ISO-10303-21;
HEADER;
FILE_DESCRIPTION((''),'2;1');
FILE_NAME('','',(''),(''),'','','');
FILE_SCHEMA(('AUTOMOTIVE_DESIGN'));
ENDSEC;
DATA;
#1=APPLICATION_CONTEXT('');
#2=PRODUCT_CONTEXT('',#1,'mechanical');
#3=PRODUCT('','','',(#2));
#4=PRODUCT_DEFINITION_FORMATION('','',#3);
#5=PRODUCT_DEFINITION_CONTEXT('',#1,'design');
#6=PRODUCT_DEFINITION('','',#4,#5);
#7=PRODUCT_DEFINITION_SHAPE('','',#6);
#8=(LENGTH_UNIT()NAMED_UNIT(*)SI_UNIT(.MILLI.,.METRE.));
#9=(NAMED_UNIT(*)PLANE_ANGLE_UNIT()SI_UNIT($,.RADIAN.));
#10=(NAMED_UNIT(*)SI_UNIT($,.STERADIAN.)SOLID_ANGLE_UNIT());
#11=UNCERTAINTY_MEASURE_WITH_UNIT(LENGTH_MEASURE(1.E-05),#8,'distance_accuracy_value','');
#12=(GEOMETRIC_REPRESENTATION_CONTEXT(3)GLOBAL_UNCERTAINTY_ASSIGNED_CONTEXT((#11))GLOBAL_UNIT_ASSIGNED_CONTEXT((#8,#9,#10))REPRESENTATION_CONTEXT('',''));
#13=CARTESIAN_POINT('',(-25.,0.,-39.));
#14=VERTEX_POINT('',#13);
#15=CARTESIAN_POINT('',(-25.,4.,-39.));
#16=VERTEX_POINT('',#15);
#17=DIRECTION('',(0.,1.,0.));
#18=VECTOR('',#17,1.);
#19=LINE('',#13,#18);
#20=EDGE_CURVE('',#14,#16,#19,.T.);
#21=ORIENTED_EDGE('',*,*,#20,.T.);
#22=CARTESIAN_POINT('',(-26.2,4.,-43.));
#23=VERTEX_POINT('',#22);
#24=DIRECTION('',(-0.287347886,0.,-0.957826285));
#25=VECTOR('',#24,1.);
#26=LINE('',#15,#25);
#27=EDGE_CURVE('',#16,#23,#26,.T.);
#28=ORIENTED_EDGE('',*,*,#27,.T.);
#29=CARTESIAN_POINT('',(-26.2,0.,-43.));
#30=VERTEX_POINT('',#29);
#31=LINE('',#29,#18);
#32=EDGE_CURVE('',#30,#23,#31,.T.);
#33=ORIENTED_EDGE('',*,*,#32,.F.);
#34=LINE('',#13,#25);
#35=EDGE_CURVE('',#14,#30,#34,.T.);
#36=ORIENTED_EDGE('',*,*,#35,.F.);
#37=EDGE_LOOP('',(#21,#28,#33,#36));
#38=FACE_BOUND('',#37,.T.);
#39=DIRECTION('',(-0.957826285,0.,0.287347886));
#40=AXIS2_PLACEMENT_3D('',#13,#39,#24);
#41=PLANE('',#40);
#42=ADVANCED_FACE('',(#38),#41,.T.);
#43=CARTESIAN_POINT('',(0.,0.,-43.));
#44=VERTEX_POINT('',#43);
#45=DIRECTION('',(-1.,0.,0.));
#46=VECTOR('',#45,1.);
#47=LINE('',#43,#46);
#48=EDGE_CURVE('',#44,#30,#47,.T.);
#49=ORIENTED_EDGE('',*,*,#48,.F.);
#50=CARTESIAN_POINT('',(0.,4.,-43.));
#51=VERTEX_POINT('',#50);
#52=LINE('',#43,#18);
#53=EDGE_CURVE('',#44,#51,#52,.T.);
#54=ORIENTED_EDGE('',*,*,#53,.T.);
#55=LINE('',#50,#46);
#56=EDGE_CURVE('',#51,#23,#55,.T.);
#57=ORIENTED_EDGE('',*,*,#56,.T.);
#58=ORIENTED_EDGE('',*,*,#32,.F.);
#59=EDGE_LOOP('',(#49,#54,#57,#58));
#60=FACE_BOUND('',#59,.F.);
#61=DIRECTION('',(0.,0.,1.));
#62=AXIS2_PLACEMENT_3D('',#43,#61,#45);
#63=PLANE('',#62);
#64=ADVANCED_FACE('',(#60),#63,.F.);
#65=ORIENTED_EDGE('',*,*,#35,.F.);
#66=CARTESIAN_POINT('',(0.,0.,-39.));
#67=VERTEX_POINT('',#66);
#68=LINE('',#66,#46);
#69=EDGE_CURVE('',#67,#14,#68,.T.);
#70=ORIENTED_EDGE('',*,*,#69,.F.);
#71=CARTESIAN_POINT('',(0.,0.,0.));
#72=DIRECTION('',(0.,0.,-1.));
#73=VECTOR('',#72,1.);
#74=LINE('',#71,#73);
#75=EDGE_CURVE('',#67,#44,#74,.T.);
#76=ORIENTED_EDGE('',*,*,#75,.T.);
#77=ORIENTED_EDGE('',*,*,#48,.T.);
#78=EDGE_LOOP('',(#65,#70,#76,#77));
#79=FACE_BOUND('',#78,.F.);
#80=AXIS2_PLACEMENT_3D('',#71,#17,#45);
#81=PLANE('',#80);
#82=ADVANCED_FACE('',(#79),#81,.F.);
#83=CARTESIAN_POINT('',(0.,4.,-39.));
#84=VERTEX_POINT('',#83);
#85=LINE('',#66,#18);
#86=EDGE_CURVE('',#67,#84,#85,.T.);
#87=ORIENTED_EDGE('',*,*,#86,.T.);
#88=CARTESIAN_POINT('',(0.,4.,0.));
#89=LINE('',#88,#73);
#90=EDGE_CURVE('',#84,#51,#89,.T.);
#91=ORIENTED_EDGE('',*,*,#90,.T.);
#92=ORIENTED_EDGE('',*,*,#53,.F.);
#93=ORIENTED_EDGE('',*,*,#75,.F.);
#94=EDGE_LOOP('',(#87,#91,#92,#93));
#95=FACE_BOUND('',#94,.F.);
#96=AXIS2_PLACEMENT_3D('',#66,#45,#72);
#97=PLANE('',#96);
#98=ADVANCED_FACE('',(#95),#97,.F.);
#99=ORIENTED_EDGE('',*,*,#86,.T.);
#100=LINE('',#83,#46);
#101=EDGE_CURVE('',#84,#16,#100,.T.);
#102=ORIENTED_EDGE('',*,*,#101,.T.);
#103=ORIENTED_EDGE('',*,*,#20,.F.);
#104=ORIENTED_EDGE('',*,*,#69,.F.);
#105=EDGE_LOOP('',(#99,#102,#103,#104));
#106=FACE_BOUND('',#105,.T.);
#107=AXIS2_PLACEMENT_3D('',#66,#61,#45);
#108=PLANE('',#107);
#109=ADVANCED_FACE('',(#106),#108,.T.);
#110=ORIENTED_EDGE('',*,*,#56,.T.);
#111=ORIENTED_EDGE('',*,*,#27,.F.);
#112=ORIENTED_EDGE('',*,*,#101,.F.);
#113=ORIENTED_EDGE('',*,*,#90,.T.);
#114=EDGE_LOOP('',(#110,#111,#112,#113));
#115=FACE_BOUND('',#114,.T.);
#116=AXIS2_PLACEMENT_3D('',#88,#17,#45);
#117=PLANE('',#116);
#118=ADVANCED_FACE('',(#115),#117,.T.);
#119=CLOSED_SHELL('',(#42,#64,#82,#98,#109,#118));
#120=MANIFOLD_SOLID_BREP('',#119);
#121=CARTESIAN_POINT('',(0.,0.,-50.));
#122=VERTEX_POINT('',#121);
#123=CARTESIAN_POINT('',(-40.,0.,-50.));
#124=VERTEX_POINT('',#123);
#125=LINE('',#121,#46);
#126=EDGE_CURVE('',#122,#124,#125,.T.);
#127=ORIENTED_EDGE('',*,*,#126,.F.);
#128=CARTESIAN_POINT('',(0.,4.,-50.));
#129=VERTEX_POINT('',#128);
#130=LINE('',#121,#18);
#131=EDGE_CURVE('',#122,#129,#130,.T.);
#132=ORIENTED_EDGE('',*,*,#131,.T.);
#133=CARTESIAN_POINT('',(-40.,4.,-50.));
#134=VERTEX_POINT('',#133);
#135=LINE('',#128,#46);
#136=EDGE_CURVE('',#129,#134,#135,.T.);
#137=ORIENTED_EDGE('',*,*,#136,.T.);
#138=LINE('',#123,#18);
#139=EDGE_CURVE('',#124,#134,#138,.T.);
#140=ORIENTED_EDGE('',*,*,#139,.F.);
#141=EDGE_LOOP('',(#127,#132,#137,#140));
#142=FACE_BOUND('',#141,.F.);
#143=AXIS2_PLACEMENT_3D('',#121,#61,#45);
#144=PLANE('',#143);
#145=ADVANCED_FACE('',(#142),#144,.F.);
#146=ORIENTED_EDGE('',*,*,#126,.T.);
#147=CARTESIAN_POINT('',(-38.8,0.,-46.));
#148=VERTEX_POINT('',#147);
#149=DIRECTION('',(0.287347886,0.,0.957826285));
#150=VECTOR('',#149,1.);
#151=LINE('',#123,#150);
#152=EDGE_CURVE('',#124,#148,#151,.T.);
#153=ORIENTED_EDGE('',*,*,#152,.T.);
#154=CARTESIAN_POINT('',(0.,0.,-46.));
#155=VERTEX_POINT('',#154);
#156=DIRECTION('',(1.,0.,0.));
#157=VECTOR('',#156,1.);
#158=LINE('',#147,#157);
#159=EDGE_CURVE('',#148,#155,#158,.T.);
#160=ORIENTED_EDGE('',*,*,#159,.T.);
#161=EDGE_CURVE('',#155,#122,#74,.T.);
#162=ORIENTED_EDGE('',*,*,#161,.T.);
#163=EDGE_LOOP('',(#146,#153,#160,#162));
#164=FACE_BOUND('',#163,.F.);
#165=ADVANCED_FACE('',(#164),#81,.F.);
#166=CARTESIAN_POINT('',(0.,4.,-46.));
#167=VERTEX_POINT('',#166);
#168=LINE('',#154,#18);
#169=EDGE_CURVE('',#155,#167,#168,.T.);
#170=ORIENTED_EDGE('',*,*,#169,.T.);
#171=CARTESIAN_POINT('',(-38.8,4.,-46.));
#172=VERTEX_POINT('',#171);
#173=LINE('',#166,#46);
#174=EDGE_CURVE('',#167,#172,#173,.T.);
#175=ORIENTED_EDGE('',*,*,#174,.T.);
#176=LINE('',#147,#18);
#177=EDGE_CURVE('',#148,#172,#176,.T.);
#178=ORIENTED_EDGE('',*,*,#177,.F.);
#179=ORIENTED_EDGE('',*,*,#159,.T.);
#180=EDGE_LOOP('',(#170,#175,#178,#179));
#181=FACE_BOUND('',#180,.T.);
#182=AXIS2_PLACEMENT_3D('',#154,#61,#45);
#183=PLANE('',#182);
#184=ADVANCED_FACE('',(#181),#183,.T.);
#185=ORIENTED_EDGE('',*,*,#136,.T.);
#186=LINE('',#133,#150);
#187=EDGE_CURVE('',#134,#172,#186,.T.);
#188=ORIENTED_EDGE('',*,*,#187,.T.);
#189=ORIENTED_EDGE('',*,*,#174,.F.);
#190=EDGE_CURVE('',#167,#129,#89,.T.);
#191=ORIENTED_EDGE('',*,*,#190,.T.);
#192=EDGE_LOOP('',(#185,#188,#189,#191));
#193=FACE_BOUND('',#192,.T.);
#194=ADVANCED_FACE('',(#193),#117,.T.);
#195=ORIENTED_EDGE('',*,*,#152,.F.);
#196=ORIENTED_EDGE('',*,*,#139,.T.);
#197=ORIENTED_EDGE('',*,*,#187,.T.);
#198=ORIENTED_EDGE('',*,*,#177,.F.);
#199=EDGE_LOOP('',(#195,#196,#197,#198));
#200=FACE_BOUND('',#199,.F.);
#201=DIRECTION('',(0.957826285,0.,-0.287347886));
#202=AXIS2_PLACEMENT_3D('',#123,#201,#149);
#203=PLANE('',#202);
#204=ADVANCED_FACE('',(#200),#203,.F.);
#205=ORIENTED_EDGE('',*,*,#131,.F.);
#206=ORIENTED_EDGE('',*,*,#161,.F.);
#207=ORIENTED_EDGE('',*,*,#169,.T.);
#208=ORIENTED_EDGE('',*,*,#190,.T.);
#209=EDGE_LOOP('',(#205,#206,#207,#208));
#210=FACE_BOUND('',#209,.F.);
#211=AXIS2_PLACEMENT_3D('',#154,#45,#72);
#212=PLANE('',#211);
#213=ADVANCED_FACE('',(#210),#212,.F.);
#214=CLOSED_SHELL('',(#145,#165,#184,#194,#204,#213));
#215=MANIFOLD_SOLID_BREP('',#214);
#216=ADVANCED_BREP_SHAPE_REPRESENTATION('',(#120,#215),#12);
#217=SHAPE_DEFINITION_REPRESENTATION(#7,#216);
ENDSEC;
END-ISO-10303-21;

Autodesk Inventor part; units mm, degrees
ref_plane "YZ Plane" through (0, 0, 0) normal (1, 0, 0) x (0, 1, 0)
ref_plane "XZ Plane" through (0, 0, 0) normal (0, 1, 0) x (-1, 0, 0)
ref_plane "XY Plane" through (0, 0, 0) normal (0, 0, 1) x (1, 0, 0)
sketch "Skizze1" plane through (0, 0, 0) normal (0, 1, 0) x (-1, 0, 0)
  line L0 (0, 0) -> (25, 0)
  line L1 (0, 0) -> (0, -50)
  line L2 (0, -50) -> (40, -50)
  line L3 (40, -50) -> (25, 0)
  line L4 (0, 0) -> (0, -4)
  line L5 (0, -4) -> (26.2, -4)
  line L6 (0, -50) -> (0, -46)
  line L7 (0, -46) -> (38.8, -46)
  line L8 (26.2, -4) -> (26.2, -46)
  line L9 (0, -46) -> (0, -43)
  line L10 (0, -43) -> (26.2, -43)
  line L11 (0, -43) -> (0, -39)
  line L12 (0, -39) -> (25, -39)
  line L13 (25, -39) -> (26.2, -43)
  dimension "d0" = 25
  dimension "d1" = 50
  dimension "d2" = 40
  dimension "d3" = 90
  dimension "d4" = 4
  dimension "d5" = 4
  dimension "d6" = 3
  dimension "d7" = 4
  dimension "d8" = 25
  dimension "d9" = 106.699
  dimension "d10" = 106.699
extrude "Extrusion1" add sketch "Skizze1" along normal blind 4 contours L12 L13 L10 L1 | L3 L2 L1 L7
equation "\"Biegeradius\" = Stärke"
equation "\"BreiteBiegungsfreistellung\" = Stärke"
equation "\"TiefeBiegungsfreistellung\" = 0.5 * Stärke"
equation "\"GrößeEckenfreistellung\" = 4 * Stärke"
equation "\"MinimalRest\" = 2 * Stärke"
equation "\"Übergangsradius\" = Biegeradius"
equation "\"JacobiRadiusGröße\" = Biegeradius"
equation "\"Abstandsgröße\" = Stärke"
equation "\"Stärke\" = 0.5"
properties part number "Bedienfeld_Fuesse"
